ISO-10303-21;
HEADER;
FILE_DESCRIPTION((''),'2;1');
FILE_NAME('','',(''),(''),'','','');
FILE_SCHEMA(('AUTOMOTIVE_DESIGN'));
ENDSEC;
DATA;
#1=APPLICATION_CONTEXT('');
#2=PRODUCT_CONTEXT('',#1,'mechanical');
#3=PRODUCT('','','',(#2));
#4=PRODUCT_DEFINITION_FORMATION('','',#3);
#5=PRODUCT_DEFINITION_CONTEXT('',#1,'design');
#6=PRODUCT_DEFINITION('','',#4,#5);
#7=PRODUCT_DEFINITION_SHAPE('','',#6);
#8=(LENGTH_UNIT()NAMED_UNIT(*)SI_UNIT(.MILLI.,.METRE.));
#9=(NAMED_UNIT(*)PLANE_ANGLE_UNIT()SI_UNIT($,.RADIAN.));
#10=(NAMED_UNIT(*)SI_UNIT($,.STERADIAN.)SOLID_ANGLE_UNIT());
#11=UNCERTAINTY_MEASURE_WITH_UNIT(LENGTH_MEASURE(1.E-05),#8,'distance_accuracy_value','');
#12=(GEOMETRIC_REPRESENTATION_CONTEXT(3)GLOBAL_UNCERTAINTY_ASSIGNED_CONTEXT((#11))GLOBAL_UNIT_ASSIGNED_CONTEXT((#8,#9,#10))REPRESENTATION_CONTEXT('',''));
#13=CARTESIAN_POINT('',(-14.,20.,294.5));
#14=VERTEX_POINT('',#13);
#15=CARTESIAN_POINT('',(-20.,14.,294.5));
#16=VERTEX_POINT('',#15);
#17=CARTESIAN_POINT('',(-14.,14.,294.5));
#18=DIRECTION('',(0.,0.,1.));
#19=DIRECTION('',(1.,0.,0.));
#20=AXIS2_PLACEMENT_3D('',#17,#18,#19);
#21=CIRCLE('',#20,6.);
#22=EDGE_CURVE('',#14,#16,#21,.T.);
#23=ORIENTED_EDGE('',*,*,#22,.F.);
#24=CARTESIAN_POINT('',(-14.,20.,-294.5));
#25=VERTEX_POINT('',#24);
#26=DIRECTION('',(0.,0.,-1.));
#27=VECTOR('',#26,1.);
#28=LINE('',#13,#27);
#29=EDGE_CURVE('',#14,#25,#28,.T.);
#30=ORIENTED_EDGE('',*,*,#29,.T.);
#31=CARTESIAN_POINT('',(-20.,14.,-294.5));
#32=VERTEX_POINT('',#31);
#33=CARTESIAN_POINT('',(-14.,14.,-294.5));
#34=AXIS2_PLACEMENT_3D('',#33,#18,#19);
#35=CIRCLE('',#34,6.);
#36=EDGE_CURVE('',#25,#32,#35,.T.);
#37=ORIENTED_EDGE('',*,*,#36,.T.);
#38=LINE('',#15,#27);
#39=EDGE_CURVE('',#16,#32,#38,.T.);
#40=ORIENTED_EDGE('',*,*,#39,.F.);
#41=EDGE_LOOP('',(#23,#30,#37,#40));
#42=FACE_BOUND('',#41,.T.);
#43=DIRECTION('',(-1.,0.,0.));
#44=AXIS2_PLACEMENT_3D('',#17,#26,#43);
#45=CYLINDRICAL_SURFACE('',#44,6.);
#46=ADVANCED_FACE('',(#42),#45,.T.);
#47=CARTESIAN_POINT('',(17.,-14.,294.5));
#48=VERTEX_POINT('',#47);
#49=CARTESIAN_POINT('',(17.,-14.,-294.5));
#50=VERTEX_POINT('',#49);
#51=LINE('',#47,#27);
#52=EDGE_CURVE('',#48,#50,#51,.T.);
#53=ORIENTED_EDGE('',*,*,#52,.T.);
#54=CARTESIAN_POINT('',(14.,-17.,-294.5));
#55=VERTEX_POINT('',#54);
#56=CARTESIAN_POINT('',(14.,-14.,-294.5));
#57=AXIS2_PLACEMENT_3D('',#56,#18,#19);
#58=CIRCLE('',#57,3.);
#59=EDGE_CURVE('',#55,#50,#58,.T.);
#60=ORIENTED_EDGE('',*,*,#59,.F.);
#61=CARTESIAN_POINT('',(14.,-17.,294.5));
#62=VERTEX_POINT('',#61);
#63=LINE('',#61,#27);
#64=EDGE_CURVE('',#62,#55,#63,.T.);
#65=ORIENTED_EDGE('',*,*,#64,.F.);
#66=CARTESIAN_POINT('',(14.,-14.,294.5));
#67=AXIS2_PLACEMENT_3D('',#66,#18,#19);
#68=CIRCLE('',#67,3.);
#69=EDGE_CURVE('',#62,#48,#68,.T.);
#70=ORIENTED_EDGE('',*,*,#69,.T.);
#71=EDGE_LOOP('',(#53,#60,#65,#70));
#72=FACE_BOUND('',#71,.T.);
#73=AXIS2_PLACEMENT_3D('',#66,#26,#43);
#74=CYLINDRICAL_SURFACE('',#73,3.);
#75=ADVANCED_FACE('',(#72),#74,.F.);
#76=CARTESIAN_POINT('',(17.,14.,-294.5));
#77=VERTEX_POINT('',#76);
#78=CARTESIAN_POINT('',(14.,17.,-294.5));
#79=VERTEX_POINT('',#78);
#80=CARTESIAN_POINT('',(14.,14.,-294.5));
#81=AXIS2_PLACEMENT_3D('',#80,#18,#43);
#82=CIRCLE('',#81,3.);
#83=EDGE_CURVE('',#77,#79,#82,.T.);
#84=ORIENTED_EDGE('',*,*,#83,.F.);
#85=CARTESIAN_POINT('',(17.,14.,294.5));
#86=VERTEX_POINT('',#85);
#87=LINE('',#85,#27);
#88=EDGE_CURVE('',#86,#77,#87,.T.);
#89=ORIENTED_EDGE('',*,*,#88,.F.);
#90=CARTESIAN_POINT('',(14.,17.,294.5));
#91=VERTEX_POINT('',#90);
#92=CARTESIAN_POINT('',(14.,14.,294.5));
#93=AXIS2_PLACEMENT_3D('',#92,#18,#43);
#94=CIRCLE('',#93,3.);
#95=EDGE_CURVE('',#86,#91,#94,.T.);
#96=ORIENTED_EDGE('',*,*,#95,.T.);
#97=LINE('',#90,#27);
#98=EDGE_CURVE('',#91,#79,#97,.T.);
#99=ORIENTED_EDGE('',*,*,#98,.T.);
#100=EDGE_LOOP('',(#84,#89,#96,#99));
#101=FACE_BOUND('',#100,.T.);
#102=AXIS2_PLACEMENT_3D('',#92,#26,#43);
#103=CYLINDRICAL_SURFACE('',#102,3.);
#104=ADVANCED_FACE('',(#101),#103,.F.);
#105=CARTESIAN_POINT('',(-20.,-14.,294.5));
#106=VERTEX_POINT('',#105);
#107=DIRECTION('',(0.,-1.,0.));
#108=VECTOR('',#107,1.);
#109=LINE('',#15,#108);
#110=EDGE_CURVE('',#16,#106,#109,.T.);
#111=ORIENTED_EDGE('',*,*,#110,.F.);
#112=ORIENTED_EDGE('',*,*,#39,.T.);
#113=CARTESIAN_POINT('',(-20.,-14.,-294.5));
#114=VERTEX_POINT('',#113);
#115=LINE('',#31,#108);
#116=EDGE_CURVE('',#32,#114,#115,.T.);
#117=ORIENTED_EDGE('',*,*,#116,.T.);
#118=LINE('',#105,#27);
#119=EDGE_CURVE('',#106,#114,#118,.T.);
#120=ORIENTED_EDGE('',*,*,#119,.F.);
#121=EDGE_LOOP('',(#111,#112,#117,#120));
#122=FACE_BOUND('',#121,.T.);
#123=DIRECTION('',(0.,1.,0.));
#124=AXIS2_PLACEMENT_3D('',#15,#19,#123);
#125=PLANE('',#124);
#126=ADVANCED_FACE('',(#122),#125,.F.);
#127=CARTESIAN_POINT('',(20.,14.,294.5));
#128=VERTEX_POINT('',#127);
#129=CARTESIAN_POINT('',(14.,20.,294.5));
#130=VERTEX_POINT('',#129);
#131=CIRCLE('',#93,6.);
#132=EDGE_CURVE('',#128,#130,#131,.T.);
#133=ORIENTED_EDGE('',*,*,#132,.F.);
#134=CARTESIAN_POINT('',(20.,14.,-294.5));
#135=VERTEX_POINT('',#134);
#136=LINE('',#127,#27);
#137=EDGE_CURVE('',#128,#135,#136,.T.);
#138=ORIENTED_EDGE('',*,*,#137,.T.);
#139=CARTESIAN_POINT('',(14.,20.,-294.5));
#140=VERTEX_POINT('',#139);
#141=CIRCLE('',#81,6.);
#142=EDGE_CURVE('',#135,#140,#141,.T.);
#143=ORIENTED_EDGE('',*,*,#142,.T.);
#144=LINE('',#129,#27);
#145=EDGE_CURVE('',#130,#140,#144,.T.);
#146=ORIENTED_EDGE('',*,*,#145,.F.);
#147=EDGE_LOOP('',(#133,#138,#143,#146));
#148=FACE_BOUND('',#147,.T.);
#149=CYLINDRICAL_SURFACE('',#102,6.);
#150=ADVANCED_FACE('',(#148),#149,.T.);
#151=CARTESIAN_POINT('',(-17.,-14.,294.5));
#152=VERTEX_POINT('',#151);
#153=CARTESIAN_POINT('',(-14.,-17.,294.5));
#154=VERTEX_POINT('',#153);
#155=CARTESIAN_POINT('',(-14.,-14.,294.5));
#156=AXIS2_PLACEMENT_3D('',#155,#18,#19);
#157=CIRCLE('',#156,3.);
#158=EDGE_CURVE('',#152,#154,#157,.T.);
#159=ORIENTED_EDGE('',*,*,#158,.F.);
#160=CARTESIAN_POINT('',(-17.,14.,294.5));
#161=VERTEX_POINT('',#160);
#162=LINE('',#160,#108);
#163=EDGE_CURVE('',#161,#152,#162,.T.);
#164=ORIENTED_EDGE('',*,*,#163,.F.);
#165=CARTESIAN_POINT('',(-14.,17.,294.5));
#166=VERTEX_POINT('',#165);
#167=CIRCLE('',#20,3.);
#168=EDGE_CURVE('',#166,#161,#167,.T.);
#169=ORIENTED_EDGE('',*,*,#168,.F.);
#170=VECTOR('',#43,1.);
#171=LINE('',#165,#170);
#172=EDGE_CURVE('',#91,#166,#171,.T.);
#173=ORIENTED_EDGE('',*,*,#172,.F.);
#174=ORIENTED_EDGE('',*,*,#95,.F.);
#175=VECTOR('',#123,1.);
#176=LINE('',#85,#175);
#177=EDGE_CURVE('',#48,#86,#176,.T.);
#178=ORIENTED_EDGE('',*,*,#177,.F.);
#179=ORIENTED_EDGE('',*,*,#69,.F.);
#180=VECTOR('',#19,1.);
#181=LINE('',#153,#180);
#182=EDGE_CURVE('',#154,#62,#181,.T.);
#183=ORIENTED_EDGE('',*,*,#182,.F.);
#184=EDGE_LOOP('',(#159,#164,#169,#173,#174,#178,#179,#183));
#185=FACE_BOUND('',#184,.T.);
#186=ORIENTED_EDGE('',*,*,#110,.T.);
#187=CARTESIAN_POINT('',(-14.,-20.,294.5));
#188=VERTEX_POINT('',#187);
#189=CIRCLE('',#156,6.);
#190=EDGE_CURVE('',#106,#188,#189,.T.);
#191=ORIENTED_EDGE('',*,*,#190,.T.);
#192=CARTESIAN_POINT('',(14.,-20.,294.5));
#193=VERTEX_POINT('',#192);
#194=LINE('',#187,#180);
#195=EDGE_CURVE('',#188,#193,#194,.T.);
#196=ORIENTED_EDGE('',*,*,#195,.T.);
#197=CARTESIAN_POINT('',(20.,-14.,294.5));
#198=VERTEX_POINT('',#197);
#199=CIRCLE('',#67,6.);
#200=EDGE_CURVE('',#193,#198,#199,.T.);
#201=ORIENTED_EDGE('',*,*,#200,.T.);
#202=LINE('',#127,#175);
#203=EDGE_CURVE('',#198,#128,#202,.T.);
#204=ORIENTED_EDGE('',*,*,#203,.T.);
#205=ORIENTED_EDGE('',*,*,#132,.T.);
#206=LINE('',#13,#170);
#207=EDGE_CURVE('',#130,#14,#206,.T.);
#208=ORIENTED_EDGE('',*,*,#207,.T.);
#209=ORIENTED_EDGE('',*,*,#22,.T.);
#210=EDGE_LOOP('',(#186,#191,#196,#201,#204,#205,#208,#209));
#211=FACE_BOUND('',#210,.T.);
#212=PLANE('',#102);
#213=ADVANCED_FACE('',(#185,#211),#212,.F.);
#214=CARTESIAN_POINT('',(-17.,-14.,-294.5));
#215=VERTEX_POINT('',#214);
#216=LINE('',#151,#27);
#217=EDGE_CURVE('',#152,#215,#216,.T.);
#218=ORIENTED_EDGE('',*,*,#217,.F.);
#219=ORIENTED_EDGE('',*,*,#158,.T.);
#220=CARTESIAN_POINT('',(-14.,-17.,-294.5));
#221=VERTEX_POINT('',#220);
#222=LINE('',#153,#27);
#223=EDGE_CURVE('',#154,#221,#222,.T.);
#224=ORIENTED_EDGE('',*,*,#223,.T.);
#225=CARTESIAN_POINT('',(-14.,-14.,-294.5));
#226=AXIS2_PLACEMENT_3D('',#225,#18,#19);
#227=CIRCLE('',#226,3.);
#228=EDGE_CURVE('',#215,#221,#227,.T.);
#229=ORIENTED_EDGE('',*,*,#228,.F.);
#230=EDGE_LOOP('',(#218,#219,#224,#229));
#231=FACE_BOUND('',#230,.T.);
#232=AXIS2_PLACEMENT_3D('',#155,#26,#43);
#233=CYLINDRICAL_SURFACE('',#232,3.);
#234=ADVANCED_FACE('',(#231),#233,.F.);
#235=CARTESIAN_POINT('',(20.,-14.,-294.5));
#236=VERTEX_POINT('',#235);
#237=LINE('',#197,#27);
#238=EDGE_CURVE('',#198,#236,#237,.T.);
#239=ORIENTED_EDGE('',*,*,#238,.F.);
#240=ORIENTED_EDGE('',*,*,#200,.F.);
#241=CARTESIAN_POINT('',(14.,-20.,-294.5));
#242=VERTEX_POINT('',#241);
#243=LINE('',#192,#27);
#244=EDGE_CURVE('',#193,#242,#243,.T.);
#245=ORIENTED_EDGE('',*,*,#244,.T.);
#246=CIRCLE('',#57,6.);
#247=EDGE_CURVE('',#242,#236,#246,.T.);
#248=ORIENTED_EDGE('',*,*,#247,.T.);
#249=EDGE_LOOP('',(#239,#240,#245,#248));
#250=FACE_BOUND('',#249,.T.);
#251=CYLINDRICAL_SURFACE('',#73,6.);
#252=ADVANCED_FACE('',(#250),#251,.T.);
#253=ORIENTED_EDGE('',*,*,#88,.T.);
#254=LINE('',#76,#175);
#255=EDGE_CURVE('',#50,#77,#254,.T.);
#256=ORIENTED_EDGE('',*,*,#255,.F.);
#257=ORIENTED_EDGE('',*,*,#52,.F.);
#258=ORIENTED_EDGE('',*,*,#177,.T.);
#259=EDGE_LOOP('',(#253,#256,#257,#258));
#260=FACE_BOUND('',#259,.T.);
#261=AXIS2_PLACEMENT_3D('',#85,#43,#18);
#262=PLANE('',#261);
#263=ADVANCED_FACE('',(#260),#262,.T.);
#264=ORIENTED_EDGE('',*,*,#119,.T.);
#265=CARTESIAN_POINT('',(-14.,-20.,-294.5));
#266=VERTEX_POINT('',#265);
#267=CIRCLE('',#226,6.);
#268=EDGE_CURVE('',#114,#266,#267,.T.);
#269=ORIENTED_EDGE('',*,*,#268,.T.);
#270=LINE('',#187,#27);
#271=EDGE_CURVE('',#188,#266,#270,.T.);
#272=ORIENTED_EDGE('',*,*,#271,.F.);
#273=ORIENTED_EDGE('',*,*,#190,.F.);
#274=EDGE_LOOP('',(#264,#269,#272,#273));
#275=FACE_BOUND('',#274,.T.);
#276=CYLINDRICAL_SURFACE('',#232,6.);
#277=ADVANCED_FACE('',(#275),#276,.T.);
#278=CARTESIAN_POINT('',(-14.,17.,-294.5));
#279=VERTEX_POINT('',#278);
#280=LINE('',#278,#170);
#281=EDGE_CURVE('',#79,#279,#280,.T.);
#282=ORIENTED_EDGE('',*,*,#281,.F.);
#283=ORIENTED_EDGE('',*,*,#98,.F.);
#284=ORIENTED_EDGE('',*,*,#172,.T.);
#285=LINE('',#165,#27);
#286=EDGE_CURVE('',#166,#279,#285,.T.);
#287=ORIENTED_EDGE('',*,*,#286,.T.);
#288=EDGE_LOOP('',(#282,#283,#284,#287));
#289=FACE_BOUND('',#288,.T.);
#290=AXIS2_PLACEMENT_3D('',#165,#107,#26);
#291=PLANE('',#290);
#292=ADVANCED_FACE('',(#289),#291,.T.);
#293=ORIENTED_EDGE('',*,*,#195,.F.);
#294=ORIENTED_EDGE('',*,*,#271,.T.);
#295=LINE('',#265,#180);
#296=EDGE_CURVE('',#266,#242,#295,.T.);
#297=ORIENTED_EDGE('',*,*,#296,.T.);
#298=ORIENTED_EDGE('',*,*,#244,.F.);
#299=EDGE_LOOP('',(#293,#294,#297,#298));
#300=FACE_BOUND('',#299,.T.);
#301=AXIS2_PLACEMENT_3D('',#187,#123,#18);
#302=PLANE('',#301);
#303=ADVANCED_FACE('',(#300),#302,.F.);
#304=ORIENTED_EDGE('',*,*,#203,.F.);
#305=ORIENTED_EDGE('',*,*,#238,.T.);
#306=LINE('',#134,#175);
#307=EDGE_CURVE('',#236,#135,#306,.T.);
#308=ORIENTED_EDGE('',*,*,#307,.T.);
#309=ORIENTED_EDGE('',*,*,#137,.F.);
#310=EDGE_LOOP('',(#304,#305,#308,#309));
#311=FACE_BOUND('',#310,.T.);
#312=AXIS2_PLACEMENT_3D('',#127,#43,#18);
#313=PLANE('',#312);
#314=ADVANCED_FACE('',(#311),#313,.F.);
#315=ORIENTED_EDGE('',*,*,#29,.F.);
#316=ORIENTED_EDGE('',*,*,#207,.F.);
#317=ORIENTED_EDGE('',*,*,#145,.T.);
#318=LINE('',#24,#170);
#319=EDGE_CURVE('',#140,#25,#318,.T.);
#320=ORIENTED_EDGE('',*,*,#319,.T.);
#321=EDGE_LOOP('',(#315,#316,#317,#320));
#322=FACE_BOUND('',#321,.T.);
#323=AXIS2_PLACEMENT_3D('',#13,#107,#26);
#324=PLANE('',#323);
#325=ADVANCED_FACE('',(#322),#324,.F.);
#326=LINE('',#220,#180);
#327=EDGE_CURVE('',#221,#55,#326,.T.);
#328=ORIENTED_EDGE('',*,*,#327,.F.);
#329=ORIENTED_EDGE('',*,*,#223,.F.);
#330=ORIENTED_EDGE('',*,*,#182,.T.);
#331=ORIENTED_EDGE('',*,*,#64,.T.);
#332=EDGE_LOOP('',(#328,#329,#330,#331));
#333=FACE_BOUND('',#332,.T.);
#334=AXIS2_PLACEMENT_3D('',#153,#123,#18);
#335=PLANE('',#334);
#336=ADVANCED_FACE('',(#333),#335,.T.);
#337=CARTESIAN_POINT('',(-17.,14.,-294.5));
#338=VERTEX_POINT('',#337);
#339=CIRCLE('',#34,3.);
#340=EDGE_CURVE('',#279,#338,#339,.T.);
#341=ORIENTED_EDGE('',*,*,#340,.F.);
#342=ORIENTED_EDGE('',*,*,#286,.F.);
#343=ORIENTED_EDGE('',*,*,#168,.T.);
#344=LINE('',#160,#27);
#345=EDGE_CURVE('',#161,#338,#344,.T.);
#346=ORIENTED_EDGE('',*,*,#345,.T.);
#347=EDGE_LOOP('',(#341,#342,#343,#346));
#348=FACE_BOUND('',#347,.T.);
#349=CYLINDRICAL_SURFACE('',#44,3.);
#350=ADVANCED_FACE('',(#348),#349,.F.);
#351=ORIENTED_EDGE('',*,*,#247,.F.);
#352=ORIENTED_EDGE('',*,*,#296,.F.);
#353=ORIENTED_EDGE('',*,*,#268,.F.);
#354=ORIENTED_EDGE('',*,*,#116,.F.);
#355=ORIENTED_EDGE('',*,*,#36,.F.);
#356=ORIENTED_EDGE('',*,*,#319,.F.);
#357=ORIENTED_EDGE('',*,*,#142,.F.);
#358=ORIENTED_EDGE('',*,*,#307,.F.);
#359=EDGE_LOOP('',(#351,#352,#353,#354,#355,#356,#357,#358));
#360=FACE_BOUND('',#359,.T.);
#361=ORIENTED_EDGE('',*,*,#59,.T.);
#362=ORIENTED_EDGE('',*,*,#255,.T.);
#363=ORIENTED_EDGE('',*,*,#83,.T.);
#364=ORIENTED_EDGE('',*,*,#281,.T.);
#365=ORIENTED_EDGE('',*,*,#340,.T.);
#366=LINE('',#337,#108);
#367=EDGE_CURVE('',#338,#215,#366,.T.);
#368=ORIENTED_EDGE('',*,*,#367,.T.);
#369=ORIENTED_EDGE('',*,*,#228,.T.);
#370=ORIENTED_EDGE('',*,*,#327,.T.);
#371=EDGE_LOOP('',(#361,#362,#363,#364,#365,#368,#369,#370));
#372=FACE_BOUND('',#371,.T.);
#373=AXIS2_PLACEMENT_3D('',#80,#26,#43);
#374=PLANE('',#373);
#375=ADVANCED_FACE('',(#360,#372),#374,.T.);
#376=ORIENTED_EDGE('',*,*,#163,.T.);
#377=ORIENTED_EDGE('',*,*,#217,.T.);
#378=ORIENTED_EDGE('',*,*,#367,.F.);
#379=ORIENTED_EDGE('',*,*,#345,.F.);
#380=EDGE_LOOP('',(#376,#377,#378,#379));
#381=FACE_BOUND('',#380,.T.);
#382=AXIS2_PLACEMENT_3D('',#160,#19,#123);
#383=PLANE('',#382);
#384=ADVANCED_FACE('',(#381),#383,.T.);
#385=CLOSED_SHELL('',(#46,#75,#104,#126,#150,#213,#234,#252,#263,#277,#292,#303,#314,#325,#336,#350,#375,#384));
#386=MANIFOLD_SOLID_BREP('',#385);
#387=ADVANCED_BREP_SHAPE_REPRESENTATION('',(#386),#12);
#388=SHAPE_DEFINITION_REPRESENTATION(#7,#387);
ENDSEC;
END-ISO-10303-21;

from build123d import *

# Parameters (mm, degrees)
EXTRUDE_1_DEPTH = 294.5


with BuildPart() as part:
    # Эскиз1 → Бобышка-Вытянуть1 (new, symmetric)
    with BuildSketch(Plane.XY):
        with BuildLine():
            Line((-14, 20), (14, 20))
            ThreePointArc((14, 20), (18.242640687, 18.242640687), (20, 14))
            Line((20, 14), (20, -14))
            ThreePointArc((20, -14), (18.242640687, -18.242640687), (14, -20))
            Line((14, -20), (-14, -20))
            ThreePointArc((-14, -20), (-18.242640687, -18.242640687), (-20, -14))
            Line((-20, -14), (-20, 14))
            ThreePointArc((-20, 14), (-18.242640687, 18.242640687), (-14, 20))
        make_face()
        with BuildLine():
            Line((-14, 17), (14, 17))
            ThreePointArc((14, 17), (16.121320344, 16.121320344), (17, 14))
            Line((17, 14), (17, -14))
            ThreePointArc((17, -14), (16.121320344, -16.121320344), (14, -17))
            Line((14, -17), (-14, -17))
            ThreePointArc((-14, -17), (-16.121320344, -16.121320344), (-17, -14))
            Line((-17, -14), (-17, 14))
            ThreePointArc((-17, 14), (-16.121320344, 16.121320344), (-14, 17))
        make_face(mode=Mode.SUBTRACT)
    extrude(amount=EXTRUDE_1_DEPTH, both=True)


solid = part.part
